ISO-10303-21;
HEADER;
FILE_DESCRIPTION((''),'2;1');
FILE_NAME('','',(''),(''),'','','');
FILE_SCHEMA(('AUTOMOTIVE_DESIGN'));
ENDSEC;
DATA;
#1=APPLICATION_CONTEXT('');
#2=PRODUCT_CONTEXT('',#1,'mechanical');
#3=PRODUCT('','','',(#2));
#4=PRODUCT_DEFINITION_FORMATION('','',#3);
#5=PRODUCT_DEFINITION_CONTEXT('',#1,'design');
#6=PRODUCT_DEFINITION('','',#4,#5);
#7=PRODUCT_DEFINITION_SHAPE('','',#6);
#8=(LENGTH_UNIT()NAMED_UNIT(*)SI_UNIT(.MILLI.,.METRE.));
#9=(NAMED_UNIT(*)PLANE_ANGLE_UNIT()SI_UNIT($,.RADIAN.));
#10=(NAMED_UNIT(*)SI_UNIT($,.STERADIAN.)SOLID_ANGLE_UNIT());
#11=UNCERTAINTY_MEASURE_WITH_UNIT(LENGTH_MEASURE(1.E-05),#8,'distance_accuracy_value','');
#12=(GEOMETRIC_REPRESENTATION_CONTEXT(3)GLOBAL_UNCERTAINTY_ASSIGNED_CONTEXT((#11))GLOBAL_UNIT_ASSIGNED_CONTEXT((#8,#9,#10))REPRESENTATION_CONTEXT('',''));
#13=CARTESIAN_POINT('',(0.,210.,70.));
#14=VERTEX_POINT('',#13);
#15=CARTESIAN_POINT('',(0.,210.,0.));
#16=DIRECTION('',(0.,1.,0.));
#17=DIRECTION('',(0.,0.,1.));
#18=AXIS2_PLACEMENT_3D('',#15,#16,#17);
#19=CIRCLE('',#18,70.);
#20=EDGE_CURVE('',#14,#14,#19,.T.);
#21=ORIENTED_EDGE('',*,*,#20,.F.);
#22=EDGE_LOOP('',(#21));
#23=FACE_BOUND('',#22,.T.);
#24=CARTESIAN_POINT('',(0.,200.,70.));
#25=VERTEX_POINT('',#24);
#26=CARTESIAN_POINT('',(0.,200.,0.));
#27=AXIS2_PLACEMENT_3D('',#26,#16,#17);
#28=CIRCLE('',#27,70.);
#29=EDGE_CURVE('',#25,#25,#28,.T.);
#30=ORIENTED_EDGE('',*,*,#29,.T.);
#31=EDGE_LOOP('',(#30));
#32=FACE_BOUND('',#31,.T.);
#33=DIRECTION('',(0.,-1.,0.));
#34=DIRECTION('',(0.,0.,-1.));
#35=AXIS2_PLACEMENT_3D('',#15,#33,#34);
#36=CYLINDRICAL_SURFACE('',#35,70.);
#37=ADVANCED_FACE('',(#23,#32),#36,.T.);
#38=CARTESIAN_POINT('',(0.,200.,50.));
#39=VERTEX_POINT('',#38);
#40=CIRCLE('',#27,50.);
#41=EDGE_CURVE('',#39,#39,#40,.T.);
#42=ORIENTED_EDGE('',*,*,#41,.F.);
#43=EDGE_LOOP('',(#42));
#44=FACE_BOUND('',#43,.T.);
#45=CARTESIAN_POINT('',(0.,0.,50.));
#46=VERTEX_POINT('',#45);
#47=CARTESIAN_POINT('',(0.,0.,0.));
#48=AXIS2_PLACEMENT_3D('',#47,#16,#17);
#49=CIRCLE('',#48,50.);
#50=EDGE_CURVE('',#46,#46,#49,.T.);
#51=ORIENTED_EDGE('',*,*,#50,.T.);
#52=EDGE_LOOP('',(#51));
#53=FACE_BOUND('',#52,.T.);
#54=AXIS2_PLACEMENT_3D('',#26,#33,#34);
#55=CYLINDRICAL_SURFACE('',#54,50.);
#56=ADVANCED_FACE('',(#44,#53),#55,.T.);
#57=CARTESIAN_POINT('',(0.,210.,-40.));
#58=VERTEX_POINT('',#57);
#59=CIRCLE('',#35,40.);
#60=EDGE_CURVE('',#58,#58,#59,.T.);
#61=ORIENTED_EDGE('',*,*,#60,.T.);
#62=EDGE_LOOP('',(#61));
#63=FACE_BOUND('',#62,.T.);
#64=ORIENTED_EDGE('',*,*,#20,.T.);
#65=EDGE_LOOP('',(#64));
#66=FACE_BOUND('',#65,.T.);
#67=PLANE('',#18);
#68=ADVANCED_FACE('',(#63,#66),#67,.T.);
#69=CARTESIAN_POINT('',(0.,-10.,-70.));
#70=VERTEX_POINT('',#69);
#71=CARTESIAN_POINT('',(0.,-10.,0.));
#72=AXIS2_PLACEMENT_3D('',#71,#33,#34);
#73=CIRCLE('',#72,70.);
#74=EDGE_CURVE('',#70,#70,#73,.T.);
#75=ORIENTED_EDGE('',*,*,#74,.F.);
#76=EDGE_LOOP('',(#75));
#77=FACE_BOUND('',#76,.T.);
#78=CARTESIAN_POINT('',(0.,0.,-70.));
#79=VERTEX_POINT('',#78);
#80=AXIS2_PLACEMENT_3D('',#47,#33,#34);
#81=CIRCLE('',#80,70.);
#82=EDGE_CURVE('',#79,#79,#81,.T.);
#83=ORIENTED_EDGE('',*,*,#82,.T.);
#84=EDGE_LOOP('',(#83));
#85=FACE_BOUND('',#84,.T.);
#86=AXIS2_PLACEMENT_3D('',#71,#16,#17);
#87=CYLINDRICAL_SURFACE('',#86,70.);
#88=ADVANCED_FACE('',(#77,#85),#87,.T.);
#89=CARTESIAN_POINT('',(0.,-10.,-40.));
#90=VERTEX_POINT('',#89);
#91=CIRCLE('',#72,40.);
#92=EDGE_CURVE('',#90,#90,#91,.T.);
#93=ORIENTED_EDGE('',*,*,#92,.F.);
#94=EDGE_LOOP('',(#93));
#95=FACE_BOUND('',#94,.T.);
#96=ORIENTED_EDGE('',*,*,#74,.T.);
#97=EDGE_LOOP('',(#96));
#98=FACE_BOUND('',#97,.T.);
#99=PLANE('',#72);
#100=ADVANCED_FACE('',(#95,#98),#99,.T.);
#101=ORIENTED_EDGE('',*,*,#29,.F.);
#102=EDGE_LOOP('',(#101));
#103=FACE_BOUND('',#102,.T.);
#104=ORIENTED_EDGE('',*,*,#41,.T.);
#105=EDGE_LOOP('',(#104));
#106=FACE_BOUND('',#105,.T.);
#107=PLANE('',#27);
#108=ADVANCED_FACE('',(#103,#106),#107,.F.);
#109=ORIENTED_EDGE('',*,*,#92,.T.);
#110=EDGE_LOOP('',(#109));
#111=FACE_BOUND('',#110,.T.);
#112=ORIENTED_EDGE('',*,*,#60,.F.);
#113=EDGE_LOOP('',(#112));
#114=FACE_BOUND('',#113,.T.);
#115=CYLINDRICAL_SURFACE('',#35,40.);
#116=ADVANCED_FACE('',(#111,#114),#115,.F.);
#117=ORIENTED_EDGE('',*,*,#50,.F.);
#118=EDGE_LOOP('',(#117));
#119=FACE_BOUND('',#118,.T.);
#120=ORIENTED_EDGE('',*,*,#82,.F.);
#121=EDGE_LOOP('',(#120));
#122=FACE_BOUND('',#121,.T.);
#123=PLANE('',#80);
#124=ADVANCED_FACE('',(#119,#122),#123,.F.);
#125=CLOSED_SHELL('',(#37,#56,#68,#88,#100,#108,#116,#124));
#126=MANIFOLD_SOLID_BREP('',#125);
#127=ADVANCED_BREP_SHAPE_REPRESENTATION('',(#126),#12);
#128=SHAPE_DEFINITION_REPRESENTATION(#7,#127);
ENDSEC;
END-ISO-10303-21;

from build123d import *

# Parameters (mm, degrees)
ESBO_O1_R                = 50
RESSALTO_EXTRUS_O2_DEPTH = 200
ESBO_O5_R                = 70
RESSALTO_EXTRUS_O3_DEPTH = 10
RESSALTO_EXTRUS_O4_START = 10
ESBO_O6_R                = 70
RESSALTO_EXTRUS_O4_DEPTH = 10
ESBO_O7_R                = 40
CORTE_EXTRUS_O3_DEPTH    = 220


with BuildPart() as part:
    # Esboço1 → Ressalto-extrusão2 (new body)
    with BuildSketch(Plane(origin=(0, 0, 0), x_dir=(1, 0, 0), z_dir=(0, 1, 0))):
        with Locations(Location((0, 0, 0), (0, 0, 270))):
            Circle(ESBO_O1_R)
    extrude(amount=RESSALTO_EXTRUS_O2_DEPTH)

    # Esboço5 → Ressalto-extrusão3 (add)
    with BuildSketch(Plane(origin=(0, 200, 0), x_dir=(1, 0, 0), z_dir=(0, 1, 0))):
        with Locations(Location((0, 0, 0), (0, 0, 270))):
            Circle(ESBO_O5_R)
    extrude(amount=RESSALTO_EXTRUS_O3_DEPTH)

    # Esboço6 → Ressalto-extrusão4 (add)
    with BuildSketch(Plane(origin=(0, 0, 0), x_dir=(-1, 0, 0), z_dir=(0, -1, 0)).offset(RESSALTO_EXTRUS_O4_START)):
        with Locations(Location((0, 0, 0), (0, 0, 270))):
            Circle(ESBO_O6_R)
    extrude(amount=-RESSALTO_EXTRUS_O4_DEPTH)

    # Esboço7 → Corte-extrusão3 (cut)
    with BuildSketch(Plane(origin=(0, -10, 0), x_dir=(-1, 0, 0), z_dir=(0, -1, 0))):
        with Locations(Location((0, 0, 0), (0, 0, 90))):
            Circle(ESBO_O7_R)
    extrude(amount=-CORTE_EXTRUS_O3_DEPTH, mode=Mode.SUBTRACT)


solid = part.part
